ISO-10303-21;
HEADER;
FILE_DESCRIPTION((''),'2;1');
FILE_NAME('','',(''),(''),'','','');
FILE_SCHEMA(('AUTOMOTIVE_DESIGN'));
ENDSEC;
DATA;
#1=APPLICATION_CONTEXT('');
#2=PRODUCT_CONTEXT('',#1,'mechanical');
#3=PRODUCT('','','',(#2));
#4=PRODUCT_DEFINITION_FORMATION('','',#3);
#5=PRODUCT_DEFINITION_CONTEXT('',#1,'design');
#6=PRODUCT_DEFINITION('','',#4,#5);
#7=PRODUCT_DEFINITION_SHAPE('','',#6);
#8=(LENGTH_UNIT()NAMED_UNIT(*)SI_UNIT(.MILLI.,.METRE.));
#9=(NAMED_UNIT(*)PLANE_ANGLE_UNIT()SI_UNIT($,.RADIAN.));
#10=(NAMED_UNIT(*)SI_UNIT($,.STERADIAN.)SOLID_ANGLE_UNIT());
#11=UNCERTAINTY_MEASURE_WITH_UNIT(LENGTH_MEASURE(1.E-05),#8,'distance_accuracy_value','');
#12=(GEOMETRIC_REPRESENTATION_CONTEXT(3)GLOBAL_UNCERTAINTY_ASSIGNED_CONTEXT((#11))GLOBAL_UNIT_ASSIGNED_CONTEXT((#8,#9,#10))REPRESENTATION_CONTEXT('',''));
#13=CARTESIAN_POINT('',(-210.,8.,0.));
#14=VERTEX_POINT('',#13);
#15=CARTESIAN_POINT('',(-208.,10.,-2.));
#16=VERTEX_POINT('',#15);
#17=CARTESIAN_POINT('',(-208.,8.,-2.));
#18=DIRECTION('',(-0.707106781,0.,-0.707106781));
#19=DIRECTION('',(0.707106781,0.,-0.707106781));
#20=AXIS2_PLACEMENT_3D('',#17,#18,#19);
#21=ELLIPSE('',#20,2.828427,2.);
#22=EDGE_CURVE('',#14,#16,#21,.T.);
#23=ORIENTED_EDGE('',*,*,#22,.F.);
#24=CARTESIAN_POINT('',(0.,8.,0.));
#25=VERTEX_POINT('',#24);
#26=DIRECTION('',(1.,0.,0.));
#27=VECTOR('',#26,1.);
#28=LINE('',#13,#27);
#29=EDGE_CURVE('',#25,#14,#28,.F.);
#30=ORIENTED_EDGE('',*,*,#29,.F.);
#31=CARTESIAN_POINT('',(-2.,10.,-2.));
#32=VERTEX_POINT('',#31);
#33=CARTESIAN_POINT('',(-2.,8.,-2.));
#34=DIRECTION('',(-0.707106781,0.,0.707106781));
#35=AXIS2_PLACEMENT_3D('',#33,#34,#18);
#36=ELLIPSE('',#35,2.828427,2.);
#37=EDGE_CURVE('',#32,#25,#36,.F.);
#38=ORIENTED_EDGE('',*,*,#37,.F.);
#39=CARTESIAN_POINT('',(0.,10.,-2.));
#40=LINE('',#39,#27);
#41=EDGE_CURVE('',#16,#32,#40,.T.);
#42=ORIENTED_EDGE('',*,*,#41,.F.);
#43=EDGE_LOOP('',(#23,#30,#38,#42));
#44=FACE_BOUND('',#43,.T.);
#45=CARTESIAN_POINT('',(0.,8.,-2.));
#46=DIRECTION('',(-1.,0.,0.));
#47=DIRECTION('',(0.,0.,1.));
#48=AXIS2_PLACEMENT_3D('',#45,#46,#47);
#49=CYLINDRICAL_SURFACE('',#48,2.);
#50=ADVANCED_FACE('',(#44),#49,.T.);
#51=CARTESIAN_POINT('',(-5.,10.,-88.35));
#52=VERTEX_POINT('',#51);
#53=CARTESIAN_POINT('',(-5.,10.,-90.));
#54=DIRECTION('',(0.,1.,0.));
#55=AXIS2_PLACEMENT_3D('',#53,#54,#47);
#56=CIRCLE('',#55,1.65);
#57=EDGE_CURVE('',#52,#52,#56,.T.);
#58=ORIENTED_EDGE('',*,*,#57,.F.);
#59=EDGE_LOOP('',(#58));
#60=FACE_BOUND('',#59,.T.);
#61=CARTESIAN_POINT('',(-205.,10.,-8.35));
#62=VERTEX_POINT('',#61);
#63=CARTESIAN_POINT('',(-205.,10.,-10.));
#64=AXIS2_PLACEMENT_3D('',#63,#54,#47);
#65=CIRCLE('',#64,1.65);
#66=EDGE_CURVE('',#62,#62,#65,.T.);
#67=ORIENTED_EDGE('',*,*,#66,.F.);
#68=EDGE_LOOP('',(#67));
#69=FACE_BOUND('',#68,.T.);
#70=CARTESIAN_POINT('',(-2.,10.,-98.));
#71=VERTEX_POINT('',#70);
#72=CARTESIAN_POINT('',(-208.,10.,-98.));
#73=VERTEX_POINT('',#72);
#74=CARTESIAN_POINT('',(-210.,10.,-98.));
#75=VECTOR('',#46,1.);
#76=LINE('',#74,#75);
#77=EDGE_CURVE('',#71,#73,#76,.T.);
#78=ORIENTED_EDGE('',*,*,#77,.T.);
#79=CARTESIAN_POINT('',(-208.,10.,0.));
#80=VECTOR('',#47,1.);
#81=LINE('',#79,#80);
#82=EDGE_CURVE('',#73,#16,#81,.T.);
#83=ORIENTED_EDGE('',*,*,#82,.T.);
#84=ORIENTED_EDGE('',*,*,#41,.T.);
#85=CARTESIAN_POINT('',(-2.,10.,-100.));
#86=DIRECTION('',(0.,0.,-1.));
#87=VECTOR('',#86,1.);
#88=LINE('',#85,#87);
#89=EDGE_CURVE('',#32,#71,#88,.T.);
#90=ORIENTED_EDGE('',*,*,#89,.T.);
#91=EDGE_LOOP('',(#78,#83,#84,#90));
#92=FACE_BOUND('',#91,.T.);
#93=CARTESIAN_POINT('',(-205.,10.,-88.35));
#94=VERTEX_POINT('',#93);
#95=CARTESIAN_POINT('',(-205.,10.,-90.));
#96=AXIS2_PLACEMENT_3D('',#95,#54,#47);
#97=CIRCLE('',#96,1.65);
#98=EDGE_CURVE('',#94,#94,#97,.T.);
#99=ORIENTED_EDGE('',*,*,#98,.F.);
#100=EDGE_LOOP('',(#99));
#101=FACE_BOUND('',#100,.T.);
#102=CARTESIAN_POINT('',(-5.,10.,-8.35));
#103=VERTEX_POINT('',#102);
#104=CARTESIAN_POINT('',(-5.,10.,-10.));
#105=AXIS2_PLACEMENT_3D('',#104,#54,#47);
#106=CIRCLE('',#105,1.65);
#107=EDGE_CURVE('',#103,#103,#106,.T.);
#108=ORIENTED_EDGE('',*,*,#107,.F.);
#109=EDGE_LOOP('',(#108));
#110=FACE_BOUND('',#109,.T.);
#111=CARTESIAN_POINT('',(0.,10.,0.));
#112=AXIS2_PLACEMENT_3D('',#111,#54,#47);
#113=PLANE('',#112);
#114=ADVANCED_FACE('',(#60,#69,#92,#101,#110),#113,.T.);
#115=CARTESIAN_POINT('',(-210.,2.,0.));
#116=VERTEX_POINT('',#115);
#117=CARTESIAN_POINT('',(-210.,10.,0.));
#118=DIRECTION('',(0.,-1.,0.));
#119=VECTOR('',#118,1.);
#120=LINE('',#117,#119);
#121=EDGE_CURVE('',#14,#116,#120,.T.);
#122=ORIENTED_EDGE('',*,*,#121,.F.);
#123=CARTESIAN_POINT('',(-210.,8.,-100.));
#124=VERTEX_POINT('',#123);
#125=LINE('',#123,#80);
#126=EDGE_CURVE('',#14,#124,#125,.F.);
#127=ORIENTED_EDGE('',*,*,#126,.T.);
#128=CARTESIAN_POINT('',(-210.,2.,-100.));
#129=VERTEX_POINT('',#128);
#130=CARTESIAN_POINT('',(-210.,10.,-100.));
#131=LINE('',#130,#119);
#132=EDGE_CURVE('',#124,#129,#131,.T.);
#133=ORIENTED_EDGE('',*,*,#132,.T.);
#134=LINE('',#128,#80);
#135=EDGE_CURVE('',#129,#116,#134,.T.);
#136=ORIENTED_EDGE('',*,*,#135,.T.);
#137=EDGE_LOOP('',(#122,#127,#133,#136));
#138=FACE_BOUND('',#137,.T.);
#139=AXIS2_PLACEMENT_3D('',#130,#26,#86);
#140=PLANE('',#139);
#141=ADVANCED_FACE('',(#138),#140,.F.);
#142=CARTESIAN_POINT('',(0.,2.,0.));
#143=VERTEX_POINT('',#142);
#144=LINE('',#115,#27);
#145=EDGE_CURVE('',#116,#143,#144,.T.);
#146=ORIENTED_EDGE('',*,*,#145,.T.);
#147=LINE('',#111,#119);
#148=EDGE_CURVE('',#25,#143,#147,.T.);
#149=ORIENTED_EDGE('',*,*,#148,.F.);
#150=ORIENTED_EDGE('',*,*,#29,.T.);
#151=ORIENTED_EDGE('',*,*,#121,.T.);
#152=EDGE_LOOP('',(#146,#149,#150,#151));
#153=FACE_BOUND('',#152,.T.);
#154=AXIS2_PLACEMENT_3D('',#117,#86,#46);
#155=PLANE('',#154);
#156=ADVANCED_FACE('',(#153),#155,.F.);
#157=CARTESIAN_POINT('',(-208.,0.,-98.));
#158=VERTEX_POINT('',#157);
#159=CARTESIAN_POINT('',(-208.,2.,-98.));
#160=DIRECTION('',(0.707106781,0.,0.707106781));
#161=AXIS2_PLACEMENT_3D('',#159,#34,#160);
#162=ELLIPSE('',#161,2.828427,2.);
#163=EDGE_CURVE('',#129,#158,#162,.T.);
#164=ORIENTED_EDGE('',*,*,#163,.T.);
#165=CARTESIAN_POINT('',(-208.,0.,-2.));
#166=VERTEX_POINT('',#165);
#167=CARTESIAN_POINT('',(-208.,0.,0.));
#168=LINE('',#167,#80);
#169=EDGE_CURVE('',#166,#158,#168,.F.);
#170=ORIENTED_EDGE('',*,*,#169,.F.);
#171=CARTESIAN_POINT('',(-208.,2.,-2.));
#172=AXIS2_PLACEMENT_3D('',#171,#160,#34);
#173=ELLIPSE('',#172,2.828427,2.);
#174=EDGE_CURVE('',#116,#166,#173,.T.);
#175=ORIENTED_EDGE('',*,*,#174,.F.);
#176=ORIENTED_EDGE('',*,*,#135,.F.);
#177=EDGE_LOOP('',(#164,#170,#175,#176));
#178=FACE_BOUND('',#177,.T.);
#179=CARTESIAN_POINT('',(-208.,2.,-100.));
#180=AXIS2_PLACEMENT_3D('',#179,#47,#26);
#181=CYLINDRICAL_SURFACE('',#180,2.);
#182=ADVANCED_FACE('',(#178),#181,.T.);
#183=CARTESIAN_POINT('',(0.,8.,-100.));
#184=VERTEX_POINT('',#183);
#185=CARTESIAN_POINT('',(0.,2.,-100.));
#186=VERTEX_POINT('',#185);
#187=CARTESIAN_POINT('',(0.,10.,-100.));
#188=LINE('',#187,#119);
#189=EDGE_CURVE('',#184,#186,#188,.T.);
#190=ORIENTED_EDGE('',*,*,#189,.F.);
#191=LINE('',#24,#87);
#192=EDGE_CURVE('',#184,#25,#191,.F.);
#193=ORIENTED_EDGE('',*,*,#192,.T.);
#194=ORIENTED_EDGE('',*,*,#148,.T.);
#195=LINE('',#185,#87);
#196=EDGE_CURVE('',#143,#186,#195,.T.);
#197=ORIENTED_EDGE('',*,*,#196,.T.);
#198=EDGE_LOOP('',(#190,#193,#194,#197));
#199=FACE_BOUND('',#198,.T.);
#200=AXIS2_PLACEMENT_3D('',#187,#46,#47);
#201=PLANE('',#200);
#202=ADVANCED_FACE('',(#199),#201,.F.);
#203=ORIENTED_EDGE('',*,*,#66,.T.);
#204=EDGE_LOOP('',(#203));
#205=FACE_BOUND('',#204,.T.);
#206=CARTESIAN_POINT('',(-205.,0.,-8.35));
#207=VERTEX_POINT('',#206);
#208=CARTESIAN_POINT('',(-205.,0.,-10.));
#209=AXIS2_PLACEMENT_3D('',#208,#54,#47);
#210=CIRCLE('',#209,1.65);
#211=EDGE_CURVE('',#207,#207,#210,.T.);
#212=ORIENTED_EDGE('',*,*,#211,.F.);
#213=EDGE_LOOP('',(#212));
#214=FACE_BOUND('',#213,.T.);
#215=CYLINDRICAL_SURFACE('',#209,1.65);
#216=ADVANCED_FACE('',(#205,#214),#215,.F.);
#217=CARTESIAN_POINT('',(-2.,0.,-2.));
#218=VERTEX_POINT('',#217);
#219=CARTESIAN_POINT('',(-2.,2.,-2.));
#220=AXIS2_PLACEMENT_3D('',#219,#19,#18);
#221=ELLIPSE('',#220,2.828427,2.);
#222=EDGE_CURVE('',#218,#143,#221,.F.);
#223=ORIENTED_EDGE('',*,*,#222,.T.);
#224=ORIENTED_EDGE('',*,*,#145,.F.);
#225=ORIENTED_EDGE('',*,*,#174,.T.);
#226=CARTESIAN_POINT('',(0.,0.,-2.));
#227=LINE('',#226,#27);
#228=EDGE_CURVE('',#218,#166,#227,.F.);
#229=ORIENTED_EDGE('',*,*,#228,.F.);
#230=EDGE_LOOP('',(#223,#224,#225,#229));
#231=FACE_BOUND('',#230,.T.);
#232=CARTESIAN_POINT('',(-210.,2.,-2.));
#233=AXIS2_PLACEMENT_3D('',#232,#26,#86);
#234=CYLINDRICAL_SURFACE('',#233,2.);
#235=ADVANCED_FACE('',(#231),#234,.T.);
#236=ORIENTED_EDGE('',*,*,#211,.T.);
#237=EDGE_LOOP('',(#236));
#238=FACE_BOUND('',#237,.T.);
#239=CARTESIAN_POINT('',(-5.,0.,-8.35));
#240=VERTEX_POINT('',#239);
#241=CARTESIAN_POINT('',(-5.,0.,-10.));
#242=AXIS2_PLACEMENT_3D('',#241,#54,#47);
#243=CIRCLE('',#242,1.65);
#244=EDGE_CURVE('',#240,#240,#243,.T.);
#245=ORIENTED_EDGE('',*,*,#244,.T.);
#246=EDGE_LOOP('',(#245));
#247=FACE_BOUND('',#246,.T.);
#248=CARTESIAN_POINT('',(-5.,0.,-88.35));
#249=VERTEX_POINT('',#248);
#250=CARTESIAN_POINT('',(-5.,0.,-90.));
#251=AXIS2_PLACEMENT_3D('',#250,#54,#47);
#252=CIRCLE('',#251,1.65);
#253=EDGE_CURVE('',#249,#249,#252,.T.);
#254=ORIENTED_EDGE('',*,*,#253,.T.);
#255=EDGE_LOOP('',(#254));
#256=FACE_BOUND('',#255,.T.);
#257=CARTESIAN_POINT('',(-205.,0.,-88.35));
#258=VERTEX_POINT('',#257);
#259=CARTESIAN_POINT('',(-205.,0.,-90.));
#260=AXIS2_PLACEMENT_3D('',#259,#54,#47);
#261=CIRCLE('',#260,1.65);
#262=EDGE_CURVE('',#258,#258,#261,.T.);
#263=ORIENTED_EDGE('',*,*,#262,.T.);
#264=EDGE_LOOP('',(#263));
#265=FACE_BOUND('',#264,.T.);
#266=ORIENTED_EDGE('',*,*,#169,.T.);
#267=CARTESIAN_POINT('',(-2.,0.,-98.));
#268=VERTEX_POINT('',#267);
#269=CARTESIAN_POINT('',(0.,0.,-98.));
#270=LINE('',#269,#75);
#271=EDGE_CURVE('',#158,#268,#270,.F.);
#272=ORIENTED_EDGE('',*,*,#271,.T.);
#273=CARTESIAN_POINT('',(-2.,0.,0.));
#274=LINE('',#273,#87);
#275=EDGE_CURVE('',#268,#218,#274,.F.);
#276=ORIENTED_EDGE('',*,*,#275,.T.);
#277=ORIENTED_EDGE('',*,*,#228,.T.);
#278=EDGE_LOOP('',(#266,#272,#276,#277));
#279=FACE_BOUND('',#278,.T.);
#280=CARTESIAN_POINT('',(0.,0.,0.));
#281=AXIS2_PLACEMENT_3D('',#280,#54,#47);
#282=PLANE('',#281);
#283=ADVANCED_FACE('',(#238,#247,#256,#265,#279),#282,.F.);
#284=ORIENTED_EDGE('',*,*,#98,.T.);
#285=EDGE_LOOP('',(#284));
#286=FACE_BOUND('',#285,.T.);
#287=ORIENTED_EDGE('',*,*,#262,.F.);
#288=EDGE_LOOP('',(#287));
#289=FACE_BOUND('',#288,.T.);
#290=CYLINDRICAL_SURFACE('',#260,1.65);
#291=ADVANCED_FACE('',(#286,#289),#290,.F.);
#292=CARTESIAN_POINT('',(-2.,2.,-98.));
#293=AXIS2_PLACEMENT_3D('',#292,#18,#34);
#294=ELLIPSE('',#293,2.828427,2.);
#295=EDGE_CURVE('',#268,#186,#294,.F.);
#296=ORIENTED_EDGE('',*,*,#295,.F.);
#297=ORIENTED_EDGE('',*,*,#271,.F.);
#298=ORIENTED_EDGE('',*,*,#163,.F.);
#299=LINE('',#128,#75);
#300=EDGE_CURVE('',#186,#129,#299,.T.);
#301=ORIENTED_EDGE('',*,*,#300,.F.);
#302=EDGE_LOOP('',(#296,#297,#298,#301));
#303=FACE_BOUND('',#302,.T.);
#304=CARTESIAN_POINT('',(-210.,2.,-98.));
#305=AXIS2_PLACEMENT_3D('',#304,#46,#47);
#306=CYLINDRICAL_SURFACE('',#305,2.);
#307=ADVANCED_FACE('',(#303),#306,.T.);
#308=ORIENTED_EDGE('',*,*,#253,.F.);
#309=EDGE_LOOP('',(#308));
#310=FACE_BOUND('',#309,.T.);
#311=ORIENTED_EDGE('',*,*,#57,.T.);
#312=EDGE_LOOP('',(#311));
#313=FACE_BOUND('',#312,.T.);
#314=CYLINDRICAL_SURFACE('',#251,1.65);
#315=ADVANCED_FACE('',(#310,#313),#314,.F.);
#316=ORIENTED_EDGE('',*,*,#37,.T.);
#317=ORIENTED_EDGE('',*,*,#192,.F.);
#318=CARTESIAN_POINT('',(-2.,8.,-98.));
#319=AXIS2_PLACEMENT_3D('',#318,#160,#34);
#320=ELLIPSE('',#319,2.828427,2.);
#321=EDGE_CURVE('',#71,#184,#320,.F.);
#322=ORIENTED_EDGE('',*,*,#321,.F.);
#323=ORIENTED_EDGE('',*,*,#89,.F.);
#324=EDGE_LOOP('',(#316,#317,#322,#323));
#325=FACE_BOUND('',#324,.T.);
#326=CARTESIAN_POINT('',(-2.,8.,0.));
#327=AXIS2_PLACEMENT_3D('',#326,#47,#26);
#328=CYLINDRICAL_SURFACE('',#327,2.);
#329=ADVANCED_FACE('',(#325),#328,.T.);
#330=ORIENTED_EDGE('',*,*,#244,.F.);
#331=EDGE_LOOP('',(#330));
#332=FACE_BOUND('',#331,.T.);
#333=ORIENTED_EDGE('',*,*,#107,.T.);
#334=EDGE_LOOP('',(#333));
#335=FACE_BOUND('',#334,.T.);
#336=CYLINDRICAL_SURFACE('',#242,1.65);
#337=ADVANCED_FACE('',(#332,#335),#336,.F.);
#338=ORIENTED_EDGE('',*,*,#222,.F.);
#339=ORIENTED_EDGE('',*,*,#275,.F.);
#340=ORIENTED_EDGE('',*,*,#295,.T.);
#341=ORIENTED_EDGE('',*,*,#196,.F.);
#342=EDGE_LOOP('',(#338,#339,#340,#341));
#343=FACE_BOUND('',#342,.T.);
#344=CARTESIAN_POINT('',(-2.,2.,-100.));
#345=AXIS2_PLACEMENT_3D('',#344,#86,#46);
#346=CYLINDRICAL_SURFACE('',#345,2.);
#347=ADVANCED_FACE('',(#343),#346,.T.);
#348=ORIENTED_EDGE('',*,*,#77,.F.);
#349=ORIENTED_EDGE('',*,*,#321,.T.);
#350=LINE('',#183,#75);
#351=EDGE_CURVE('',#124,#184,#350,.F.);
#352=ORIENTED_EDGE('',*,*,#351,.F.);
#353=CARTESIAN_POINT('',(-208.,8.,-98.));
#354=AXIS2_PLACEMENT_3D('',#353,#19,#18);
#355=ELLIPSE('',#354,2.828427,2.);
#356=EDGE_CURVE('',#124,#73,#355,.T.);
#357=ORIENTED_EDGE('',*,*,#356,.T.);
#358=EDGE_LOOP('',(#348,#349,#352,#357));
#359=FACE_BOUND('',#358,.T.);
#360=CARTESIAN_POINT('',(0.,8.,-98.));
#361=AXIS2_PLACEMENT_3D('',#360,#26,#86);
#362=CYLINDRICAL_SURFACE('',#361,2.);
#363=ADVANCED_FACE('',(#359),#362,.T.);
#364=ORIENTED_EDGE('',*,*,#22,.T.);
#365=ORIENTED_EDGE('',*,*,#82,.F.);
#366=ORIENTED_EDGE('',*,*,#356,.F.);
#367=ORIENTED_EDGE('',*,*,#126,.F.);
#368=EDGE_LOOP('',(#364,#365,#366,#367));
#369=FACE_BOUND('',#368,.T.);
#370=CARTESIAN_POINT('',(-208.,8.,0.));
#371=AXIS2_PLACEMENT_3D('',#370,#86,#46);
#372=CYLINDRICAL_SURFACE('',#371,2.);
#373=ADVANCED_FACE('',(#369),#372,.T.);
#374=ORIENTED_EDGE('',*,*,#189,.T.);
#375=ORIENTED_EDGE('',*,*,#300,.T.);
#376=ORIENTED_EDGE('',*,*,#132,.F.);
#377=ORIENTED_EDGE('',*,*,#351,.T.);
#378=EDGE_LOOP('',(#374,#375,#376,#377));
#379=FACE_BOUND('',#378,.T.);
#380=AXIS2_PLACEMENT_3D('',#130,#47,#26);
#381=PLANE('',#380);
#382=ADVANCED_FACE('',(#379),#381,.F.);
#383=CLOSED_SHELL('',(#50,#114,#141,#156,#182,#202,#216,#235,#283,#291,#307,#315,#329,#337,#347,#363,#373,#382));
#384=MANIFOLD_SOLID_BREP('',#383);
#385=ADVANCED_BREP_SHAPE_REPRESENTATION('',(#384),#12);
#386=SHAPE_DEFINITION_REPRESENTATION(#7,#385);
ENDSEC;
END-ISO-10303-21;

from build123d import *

# Parameters (mm, degrees)
SKETCH_1_W          = 210
SKETCH_1_H          = 100
EXTRUDE_1_DEPTH     = 10
FILLET_1_R          = 2
SKETCH_2_R          = 1.65
CUT_EXTRUDE_1_DEPTH = 233.808934536


with BuildPart() as part:
    # 草图1 → 凸台-拉伸1 (new body)
    with BuildSketch(Plane(origin=(0, 0, 0), x_dir=(1, 0, 0), z_dir=(0, 1, 0))):
        with Locations((-105, 50)):
            Rectangle(SKETCH_1_W, SKETCH_1_H)
    extrude(amount=EXTRUDE_1_DEPTH)

    # 圆角1
    fillet_1_edges = [part.edges().sort_by_distance(p)[0] for p in [
        (0, 10, -50),
        (-105, 10, -100),
        (-210, 10, -50),
        (-105, 0, -100),
        (0, 0, -50),
        (-105, 0, 0),
        (-210, 0, -50),
        (-105, 10, 0),
    ]]
    fillet(fillet_1_edges, radius=FILLET_1_R)

    # 草图2 → 切除-拉伸1 (cut, through all)
    with BuildSketch(Plane(origin=(0, 10, 0), x_dir=(1, 0, 0), z_dir=(0, 1, 0))):
        with Locations(Location((-205, 10, 0), (0, 0, 270))):
            Circle(SKETCH_2_R)
        with Locations(Location((-205, 90, 0), (0, 0, 270))):
            Circle(SKETCH_2_R)
        with Locations(Location((-5, 90, 0), (0, 0, 270))):
            Circle(SKETCH_2_R)
        with Locations(Location((-5, 10, 0), (0, 0, 270))):
            Circle(SKETCH_2_R)
    extrude(amount=-CUT_EXTRUDE_1_DEPTH, mode=Mode.SUBTRACT)


solid = part.part
